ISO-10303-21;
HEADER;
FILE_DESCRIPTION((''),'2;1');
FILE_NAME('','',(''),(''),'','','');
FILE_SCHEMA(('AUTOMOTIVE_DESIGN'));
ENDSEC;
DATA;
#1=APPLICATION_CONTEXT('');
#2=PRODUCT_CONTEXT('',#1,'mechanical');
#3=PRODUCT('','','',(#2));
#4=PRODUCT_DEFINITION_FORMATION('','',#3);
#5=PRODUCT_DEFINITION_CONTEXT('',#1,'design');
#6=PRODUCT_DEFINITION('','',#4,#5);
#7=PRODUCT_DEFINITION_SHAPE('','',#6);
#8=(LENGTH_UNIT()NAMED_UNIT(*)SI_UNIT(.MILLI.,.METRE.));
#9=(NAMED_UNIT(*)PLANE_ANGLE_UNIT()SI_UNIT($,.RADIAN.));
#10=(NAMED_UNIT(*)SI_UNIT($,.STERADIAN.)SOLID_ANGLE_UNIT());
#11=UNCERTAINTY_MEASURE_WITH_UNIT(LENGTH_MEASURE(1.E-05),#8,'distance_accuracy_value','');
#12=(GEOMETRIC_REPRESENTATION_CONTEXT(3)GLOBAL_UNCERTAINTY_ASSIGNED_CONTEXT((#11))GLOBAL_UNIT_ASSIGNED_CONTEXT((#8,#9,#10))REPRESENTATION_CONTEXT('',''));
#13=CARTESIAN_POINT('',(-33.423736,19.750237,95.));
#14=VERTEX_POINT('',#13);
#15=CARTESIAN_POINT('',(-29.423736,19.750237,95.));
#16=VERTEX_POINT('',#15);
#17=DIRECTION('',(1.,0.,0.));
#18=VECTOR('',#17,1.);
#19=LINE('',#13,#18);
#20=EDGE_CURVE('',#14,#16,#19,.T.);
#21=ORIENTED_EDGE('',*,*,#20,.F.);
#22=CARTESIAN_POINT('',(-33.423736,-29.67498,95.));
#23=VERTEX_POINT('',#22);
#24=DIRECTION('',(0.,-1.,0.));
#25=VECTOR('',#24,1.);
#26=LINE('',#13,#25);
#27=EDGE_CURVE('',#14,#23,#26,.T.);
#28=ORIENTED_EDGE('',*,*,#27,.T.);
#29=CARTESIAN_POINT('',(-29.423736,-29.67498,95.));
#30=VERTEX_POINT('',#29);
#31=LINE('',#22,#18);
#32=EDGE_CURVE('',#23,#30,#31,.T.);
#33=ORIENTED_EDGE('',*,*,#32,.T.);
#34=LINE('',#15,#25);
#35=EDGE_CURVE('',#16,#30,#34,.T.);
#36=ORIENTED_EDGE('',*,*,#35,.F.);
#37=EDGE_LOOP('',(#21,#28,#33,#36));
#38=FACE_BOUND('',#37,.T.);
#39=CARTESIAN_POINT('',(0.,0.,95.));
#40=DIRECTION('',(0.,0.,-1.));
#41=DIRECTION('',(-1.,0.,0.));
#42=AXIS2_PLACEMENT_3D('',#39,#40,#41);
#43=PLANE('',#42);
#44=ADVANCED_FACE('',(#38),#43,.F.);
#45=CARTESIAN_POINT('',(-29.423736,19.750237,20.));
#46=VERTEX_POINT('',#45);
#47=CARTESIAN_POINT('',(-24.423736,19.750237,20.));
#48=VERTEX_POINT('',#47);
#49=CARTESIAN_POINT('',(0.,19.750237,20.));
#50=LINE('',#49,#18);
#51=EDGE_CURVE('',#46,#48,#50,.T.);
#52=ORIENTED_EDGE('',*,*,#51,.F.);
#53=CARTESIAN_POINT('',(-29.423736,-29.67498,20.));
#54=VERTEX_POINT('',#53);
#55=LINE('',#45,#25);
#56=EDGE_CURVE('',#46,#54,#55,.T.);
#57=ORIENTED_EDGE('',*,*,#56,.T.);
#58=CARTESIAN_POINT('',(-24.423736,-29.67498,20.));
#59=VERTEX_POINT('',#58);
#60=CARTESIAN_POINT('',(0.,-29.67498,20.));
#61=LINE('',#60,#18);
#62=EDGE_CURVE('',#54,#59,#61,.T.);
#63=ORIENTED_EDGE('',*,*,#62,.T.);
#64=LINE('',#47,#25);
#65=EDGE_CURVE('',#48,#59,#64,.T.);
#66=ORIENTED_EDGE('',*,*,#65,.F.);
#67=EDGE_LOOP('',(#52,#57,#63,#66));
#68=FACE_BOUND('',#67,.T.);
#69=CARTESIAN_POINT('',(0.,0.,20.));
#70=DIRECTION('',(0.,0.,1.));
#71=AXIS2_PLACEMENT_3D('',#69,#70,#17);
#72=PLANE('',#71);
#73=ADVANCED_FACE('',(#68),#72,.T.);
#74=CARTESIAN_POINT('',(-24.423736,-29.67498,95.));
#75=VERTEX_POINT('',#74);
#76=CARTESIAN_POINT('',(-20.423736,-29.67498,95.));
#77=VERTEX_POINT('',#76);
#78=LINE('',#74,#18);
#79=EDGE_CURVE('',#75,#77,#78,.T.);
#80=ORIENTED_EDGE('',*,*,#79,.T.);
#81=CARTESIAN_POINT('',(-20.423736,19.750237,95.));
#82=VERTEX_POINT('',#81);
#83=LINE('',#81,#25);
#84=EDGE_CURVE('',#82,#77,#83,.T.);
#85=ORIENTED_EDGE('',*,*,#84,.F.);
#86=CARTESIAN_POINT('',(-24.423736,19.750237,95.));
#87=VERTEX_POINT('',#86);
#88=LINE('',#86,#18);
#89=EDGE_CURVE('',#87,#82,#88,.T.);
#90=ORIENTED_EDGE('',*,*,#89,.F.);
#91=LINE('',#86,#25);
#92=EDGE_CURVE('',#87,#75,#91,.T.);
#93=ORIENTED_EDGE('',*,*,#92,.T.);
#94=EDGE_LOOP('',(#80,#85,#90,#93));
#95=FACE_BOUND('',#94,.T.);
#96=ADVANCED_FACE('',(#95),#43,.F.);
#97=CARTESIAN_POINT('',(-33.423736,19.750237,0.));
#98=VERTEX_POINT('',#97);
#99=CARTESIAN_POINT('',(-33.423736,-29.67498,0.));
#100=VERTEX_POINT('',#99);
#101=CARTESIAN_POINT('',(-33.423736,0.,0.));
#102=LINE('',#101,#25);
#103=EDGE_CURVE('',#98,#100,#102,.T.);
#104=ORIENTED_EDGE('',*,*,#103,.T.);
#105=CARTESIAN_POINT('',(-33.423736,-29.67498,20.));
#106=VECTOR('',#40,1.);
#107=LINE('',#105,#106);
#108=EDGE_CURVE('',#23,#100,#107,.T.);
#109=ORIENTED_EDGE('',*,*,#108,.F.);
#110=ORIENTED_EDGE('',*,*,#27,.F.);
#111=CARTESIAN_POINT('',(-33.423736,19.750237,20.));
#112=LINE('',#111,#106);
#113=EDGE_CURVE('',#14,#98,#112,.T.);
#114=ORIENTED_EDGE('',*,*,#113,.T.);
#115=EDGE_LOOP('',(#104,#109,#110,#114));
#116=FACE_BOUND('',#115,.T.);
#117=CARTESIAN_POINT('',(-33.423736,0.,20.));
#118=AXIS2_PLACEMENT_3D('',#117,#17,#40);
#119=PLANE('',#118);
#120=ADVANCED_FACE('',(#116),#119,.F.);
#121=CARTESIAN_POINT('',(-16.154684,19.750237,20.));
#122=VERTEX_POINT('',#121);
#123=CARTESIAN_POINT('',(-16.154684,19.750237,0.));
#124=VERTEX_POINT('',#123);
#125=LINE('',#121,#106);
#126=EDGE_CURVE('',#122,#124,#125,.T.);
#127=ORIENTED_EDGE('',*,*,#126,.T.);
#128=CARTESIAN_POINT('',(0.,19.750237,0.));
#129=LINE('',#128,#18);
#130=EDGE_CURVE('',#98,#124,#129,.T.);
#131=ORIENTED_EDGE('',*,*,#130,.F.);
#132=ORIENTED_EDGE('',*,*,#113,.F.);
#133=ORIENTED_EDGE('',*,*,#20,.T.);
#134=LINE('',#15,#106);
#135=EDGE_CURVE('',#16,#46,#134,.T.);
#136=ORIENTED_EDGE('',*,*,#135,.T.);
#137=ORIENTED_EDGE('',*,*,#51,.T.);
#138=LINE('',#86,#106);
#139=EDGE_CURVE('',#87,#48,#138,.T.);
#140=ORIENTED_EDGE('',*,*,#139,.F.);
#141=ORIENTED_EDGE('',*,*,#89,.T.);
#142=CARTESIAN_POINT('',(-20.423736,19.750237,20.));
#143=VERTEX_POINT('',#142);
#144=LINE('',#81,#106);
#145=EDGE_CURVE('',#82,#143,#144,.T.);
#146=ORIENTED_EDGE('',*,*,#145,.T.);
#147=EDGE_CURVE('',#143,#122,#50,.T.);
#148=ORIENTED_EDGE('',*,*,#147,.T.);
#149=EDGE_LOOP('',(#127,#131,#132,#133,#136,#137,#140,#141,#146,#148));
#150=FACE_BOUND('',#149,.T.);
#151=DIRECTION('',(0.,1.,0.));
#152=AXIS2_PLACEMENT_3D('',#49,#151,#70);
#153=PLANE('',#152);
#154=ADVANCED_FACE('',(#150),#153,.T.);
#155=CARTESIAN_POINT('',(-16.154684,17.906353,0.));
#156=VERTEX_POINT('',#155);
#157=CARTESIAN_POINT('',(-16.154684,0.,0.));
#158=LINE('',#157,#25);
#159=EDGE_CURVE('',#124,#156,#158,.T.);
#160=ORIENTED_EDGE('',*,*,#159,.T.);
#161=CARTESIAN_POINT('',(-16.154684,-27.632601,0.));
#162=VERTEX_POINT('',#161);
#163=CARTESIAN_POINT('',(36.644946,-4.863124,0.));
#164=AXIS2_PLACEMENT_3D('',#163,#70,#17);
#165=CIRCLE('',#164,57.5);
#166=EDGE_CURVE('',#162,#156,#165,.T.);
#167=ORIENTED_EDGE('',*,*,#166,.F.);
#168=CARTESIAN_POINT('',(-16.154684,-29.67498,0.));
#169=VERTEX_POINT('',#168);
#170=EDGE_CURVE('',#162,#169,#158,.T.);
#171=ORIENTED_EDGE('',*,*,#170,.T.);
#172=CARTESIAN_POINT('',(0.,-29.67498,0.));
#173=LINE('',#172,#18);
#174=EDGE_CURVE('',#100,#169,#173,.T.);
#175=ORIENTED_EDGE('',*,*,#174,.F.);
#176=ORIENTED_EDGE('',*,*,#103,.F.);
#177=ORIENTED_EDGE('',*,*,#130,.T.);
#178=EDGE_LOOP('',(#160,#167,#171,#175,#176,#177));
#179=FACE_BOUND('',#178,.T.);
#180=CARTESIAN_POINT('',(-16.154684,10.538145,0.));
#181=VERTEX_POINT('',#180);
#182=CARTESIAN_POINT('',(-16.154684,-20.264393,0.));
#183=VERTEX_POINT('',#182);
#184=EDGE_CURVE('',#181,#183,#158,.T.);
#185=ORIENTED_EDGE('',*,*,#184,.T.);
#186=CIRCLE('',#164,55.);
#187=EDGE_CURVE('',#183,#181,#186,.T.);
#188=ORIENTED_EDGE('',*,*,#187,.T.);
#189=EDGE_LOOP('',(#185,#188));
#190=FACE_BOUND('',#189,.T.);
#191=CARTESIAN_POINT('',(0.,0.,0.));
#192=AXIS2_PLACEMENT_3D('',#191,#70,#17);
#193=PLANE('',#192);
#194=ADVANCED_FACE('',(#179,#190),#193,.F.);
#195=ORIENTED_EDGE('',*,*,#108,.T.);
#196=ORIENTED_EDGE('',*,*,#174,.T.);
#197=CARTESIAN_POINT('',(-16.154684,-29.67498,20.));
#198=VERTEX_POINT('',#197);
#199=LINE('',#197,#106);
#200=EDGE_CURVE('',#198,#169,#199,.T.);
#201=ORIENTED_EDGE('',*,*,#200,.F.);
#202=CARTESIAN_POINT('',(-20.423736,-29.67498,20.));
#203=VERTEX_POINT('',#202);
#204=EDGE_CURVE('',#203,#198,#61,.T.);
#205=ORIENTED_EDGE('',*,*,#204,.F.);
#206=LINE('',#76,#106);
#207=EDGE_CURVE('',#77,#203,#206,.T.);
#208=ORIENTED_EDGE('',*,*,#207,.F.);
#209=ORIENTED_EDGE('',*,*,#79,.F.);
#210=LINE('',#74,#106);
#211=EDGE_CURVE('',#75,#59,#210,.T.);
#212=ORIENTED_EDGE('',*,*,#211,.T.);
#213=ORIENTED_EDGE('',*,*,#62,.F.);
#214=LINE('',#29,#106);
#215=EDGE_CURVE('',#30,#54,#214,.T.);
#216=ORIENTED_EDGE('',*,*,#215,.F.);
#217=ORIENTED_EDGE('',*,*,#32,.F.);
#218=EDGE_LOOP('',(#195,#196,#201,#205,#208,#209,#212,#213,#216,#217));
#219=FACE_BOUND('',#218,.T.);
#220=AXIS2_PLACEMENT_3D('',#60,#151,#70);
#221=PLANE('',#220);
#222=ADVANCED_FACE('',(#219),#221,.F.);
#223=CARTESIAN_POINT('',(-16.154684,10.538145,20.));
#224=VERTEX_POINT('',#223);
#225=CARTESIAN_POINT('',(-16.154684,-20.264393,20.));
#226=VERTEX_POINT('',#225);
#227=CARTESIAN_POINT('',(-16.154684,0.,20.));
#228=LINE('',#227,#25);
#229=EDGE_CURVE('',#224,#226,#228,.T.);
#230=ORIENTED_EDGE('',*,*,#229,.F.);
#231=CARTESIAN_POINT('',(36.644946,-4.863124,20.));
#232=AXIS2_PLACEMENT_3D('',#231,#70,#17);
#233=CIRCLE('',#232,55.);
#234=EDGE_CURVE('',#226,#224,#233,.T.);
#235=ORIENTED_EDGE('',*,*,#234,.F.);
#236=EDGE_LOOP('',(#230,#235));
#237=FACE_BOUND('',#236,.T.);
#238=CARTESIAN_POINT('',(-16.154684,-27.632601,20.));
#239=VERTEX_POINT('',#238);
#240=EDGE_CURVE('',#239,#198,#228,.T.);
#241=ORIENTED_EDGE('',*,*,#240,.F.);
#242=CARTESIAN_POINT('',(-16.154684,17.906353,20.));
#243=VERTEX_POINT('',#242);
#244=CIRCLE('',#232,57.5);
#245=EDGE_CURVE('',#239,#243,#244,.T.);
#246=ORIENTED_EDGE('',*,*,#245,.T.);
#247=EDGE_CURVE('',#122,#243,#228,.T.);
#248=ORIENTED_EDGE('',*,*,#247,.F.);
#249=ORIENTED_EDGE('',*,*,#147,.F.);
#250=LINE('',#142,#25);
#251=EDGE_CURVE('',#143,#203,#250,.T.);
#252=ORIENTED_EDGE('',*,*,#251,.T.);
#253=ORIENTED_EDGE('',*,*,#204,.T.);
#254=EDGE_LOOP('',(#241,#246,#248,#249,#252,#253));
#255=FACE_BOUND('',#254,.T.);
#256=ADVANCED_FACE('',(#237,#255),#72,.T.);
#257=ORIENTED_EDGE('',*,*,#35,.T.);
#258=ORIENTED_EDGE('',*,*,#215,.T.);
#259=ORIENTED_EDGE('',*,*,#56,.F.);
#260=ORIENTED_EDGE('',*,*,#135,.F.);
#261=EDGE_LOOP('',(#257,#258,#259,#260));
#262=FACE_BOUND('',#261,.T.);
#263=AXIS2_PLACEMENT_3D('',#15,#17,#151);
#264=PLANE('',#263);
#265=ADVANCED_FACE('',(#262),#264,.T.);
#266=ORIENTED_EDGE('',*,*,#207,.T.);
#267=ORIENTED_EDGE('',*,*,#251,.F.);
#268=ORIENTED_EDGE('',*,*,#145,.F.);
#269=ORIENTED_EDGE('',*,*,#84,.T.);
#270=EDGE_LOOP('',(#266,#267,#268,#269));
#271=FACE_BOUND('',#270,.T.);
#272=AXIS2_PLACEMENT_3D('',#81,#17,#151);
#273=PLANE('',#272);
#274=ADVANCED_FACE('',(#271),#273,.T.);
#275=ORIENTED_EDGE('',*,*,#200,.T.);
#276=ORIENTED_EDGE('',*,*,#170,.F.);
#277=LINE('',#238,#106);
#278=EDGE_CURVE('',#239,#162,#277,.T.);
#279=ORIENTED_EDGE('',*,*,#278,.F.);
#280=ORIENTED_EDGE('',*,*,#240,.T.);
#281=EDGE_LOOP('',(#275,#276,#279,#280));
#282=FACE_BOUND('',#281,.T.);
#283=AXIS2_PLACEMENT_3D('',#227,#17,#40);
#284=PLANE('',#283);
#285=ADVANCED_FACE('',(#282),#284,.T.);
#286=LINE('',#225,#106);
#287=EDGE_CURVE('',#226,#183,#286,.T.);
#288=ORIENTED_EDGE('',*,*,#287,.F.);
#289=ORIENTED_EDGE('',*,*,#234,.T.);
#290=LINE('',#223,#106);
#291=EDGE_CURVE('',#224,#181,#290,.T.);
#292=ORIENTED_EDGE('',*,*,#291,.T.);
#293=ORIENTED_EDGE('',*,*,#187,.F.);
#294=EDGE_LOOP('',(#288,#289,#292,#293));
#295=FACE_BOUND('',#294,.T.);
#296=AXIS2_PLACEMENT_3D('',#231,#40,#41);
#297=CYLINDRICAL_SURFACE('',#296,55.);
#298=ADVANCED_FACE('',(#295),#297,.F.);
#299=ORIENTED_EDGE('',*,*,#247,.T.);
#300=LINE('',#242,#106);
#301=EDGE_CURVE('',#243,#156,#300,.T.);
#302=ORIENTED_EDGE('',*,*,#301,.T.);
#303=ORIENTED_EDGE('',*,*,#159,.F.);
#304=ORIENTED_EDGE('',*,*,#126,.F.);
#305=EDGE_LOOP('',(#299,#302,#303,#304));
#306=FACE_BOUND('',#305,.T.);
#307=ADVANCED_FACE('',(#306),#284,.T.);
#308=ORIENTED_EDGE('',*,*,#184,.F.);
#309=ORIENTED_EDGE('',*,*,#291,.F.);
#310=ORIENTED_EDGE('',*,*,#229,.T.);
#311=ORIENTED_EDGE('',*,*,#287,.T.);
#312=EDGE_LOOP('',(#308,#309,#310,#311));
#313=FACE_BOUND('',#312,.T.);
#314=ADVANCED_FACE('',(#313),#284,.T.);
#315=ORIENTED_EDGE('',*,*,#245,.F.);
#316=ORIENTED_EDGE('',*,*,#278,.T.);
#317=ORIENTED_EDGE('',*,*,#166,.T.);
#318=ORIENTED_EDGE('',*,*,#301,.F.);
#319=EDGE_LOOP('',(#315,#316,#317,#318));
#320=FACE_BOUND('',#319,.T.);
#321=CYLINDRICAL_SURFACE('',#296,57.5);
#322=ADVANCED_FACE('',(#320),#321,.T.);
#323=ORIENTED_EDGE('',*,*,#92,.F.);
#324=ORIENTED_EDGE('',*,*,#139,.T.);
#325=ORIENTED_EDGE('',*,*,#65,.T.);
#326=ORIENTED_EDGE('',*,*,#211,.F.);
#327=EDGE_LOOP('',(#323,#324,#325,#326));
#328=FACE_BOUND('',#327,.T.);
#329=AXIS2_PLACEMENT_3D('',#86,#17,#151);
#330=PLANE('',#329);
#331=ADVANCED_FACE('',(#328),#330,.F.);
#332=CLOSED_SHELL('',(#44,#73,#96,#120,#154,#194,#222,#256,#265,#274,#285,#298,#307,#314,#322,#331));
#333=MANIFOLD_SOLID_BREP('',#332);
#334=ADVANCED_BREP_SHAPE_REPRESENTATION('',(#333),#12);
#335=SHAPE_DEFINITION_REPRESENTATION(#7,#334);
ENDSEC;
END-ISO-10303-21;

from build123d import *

# Parameters (mm, degrees)
SKETCH_1_R      = 57.5
SKETCH_1_R_2    = 55
SKETCH_1_W      = 17.269051877
SKETCH_1_H      = 49.42521744
EXTRUDE_1_DEPTH = 20
SKETCH_2_W      = 4
SKETCH_2_H      = 49.42521744
EXTRUDE_2_DEPTH = 75


with BuildPart() as part:
    # 草圖1 → 填料-伸長1 (new body)
    # profile 1 of 2: a face of its own
    with BuildSketch(Plane.XY):
        with Locations((36.644946032, -4.863123804)):
            Circle(SKETCH_1_R)
        with Locations((36.644946032, -4.863123804)):
            Circle(SKETCH_1_R_2, mode=Mode.SUBTRACT)
    # profile 2 of 2: a face of its own
    with BuildSketch(Plane.XY):
        with Locations((-24.789209782, -4.962371229)):
            Rectangle(SKETCH_1_W, SKETCH_1_H)
    extrude(amount=EXTRUDE_1_DEPTH)

    # 草圖2 → 填料-伸長2 (add)
    with BuildSketch(Plane.XY.offset(20)):
        with Locations((-31.42373572, -4.962371229)):
            Rectangle(SKETCH_2_W, SKETCH_2_H)
        with Locations((-22.42373572, -4.962371229)):
            Rectangle(SKETCH_2_W, SKETCH_2_H)
    extrude(amount=EXTRUDE_2_DEPTH)


solid = part.part
